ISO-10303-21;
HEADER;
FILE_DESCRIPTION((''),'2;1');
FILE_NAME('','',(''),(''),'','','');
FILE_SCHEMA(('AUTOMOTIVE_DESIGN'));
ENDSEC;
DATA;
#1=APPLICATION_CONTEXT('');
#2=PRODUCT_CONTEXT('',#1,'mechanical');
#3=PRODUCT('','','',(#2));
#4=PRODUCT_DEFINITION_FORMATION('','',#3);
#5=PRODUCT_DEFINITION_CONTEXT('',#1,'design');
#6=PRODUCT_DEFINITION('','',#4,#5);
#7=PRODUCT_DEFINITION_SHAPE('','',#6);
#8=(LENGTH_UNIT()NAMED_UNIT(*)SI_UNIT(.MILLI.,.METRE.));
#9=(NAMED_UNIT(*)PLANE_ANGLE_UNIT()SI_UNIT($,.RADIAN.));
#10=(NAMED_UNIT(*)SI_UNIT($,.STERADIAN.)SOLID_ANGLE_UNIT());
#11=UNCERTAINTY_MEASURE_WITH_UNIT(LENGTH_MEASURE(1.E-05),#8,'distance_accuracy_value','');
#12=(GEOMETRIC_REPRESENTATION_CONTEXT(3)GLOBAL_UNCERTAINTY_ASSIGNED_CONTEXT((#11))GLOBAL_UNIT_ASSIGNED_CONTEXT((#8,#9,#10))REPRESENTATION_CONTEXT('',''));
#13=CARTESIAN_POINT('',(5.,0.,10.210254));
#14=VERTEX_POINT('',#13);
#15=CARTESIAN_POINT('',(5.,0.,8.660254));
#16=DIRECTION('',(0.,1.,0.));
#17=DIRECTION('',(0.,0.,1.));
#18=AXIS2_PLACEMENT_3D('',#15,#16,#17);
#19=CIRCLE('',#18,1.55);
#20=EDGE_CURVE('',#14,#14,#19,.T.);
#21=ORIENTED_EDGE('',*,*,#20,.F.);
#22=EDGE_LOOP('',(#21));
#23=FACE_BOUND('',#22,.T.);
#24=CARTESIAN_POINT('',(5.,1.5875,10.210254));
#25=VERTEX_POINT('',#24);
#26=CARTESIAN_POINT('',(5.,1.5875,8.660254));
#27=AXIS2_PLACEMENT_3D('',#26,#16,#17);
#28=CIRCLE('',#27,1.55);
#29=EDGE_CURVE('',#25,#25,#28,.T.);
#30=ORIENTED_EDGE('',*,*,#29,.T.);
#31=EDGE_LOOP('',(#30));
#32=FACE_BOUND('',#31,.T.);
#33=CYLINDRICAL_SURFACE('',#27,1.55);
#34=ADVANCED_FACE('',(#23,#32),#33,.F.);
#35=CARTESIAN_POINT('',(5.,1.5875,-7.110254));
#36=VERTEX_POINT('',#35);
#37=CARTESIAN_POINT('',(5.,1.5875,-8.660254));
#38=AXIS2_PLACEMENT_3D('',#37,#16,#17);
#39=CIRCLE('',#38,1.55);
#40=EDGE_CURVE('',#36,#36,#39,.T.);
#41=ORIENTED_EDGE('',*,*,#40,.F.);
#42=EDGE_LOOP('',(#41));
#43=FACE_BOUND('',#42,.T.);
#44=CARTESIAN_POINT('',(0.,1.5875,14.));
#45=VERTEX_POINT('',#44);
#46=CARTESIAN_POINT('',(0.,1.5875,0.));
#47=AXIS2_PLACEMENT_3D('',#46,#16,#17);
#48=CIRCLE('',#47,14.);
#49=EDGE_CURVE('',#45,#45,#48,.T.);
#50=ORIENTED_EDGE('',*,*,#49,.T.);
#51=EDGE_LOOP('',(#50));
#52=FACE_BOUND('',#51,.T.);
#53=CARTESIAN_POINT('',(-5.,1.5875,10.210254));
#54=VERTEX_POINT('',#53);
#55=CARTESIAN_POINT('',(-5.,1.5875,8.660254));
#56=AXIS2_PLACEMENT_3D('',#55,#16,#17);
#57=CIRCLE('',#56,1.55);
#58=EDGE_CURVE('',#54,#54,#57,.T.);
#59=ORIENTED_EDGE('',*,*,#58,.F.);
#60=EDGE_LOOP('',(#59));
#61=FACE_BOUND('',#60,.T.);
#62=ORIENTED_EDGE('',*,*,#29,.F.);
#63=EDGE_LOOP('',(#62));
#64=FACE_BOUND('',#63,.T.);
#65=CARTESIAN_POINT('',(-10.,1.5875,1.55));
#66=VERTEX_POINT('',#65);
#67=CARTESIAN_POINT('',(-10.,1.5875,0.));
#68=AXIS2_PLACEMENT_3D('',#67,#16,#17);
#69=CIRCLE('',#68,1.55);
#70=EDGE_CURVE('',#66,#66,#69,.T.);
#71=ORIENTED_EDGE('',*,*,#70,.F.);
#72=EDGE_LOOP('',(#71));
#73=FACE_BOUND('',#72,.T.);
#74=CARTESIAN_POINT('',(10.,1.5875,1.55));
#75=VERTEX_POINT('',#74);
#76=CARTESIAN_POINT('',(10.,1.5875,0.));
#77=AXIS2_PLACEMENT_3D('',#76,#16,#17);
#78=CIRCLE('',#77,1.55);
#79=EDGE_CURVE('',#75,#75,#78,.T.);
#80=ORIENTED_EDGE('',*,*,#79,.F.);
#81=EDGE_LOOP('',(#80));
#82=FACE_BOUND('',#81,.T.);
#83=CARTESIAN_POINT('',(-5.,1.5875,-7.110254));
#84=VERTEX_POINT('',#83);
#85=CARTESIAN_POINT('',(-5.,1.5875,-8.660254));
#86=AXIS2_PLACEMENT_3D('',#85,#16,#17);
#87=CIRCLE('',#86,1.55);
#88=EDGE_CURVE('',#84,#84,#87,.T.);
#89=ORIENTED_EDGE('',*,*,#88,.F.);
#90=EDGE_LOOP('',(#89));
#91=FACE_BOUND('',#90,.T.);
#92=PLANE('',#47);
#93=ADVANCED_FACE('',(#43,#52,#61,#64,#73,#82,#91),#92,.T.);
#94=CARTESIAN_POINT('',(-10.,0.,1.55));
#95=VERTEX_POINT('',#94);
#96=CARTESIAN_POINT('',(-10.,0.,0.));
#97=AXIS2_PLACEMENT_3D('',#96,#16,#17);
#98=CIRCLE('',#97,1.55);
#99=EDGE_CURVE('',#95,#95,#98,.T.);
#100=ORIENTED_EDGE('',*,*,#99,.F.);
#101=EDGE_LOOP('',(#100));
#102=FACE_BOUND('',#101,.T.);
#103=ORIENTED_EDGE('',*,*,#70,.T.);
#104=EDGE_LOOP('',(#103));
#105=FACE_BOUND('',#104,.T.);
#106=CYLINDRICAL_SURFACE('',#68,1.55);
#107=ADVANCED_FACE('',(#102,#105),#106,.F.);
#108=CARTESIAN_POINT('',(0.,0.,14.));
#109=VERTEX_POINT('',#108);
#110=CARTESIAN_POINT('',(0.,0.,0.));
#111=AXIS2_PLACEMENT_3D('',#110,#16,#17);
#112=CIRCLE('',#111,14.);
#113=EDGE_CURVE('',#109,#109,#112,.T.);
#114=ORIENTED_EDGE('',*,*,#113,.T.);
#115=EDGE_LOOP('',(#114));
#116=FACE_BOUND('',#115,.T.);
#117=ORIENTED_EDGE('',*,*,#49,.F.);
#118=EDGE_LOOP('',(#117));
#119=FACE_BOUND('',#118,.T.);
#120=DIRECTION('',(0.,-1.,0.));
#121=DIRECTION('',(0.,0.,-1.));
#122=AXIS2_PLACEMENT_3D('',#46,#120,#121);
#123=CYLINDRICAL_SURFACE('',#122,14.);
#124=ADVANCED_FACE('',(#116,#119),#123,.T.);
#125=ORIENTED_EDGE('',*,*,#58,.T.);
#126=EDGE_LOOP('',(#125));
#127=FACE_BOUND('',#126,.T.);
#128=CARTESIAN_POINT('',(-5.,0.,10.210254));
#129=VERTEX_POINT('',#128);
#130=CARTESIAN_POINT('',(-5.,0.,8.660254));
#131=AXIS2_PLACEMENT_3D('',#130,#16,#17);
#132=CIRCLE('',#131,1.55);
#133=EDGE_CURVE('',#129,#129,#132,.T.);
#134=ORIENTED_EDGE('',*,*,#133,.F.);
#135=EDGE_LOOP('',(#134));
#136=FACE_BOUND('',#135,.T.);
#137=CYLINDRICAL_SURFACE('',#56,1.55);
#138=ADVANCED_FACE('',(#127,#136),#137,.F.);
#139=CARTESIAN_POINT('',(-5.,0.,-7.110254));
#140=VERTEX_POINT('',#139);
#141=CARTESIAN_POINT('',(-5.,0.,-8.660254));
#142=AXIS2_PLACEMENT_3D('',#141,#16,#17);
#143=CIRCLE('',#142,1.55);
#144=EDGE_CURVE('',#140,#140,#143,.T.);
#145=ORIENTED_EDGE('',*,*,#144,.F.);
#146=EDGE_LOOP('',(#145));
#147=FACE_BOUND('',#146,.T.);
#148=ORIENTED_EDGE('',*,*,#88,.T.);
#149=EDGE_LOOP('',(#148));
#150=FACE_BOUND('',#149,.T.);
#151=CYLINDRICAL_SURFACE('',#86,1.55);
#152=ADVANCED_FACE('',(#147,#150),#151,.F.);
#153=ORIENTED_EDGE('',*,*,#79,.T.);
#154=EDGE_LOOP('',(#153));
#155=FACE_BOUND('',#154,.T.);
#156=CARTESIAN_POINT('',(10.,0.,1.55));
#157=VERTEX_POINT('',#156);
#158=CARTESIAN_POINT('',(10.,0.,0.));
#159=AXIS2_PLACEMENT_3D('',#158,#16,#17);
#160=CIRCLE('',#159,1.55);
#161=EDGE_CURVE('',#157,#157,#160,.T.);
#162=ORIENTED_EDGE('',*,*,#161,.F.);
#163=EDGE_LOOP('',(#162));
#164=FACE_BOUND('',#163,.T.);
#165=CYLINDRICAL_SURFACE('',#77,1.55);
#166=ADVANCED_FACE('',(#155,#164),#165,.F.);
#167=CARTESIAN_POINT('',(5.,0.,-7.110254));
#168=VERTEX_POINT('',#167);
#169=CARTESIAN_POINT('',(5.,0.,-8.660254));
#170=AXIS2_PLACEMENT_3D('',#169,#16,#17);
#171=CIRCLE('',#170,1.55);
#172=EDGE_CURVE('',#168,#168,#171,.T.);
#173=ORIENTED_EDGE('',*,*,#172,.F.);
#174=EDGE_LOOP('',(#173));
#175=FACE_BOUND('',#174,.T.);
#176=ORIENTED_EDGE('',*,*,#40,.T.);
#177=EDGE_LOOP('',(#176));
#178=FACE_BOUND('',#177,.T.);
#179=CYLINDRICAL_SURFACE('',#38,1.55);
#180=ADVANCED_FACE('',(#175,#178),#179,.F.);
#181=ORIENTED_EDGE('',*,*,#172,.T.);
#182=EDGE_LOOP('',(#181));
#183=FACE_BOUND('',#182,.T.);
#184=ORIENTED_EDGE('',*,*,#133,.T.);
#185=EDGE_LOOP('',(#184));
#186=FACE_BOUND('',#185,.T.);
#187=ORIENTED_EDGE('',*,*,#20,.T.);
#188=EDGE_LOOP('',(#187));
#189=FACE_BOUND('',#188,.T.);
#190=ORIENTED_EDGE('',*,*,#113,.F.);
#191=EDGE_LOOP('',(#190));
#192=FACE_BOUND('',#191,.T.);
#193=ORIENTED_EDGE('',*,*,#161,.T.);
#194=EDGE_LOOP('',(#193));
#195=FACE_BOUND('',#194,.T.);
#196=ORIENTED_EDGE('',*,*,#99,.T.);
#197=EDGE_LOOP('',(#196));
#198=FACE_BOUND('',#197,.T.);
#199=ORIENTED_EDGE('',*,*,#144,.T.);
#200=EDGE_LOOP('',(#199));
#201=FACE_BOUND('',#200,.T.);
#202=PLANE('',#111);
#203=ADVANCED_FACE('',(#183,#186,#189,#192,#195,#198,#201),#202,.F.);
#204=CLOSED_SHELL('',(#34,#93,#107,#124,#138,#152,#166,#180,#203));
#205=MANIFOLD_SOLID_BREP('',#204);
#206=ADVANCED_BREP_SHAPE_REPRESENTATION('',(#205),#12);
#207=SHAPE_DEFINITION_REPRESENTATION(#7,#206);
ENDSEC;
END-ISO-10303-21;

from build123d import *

# Parameters (mm, degrees)
SKETCH1_R             = 14
BOSS_EXTRUDE1_DEPTH   = 1.5875
F_3_0MM_DOWEL_HOLE1_D = 3.1


with BuildPart() as part:
    # Sketch1 → Boss-Extrude1 (new body)
    with BuildSketch(Plane(origin=(0, 0, 0), x_dir=(1, 0, 0), z_dir=(0, 1, 0))):
        with Locations(Location((0, 0, 0), (0, 0, 270))):
            Circle(SKETCH1_R)
    extrude(amount=BOSS_EXTRUDE1_DEPTH)

    # Ø3.0mm Dowel Hole1 (through all)
    with Locations(Plane(origin=(0, 1.5875, 0), x_dir=(1, 0, 0), z_dir=(0, 1, 0))):
        with Locations((-5, -8.660254038), (-10, 0), (-5, 8.660254038), (5, 8.660254038), (10, 0), (5, -8.660254038)):
            Hole(F_3_0MM_DOWEL_HOLE1_D / 2)


solid = part.part
